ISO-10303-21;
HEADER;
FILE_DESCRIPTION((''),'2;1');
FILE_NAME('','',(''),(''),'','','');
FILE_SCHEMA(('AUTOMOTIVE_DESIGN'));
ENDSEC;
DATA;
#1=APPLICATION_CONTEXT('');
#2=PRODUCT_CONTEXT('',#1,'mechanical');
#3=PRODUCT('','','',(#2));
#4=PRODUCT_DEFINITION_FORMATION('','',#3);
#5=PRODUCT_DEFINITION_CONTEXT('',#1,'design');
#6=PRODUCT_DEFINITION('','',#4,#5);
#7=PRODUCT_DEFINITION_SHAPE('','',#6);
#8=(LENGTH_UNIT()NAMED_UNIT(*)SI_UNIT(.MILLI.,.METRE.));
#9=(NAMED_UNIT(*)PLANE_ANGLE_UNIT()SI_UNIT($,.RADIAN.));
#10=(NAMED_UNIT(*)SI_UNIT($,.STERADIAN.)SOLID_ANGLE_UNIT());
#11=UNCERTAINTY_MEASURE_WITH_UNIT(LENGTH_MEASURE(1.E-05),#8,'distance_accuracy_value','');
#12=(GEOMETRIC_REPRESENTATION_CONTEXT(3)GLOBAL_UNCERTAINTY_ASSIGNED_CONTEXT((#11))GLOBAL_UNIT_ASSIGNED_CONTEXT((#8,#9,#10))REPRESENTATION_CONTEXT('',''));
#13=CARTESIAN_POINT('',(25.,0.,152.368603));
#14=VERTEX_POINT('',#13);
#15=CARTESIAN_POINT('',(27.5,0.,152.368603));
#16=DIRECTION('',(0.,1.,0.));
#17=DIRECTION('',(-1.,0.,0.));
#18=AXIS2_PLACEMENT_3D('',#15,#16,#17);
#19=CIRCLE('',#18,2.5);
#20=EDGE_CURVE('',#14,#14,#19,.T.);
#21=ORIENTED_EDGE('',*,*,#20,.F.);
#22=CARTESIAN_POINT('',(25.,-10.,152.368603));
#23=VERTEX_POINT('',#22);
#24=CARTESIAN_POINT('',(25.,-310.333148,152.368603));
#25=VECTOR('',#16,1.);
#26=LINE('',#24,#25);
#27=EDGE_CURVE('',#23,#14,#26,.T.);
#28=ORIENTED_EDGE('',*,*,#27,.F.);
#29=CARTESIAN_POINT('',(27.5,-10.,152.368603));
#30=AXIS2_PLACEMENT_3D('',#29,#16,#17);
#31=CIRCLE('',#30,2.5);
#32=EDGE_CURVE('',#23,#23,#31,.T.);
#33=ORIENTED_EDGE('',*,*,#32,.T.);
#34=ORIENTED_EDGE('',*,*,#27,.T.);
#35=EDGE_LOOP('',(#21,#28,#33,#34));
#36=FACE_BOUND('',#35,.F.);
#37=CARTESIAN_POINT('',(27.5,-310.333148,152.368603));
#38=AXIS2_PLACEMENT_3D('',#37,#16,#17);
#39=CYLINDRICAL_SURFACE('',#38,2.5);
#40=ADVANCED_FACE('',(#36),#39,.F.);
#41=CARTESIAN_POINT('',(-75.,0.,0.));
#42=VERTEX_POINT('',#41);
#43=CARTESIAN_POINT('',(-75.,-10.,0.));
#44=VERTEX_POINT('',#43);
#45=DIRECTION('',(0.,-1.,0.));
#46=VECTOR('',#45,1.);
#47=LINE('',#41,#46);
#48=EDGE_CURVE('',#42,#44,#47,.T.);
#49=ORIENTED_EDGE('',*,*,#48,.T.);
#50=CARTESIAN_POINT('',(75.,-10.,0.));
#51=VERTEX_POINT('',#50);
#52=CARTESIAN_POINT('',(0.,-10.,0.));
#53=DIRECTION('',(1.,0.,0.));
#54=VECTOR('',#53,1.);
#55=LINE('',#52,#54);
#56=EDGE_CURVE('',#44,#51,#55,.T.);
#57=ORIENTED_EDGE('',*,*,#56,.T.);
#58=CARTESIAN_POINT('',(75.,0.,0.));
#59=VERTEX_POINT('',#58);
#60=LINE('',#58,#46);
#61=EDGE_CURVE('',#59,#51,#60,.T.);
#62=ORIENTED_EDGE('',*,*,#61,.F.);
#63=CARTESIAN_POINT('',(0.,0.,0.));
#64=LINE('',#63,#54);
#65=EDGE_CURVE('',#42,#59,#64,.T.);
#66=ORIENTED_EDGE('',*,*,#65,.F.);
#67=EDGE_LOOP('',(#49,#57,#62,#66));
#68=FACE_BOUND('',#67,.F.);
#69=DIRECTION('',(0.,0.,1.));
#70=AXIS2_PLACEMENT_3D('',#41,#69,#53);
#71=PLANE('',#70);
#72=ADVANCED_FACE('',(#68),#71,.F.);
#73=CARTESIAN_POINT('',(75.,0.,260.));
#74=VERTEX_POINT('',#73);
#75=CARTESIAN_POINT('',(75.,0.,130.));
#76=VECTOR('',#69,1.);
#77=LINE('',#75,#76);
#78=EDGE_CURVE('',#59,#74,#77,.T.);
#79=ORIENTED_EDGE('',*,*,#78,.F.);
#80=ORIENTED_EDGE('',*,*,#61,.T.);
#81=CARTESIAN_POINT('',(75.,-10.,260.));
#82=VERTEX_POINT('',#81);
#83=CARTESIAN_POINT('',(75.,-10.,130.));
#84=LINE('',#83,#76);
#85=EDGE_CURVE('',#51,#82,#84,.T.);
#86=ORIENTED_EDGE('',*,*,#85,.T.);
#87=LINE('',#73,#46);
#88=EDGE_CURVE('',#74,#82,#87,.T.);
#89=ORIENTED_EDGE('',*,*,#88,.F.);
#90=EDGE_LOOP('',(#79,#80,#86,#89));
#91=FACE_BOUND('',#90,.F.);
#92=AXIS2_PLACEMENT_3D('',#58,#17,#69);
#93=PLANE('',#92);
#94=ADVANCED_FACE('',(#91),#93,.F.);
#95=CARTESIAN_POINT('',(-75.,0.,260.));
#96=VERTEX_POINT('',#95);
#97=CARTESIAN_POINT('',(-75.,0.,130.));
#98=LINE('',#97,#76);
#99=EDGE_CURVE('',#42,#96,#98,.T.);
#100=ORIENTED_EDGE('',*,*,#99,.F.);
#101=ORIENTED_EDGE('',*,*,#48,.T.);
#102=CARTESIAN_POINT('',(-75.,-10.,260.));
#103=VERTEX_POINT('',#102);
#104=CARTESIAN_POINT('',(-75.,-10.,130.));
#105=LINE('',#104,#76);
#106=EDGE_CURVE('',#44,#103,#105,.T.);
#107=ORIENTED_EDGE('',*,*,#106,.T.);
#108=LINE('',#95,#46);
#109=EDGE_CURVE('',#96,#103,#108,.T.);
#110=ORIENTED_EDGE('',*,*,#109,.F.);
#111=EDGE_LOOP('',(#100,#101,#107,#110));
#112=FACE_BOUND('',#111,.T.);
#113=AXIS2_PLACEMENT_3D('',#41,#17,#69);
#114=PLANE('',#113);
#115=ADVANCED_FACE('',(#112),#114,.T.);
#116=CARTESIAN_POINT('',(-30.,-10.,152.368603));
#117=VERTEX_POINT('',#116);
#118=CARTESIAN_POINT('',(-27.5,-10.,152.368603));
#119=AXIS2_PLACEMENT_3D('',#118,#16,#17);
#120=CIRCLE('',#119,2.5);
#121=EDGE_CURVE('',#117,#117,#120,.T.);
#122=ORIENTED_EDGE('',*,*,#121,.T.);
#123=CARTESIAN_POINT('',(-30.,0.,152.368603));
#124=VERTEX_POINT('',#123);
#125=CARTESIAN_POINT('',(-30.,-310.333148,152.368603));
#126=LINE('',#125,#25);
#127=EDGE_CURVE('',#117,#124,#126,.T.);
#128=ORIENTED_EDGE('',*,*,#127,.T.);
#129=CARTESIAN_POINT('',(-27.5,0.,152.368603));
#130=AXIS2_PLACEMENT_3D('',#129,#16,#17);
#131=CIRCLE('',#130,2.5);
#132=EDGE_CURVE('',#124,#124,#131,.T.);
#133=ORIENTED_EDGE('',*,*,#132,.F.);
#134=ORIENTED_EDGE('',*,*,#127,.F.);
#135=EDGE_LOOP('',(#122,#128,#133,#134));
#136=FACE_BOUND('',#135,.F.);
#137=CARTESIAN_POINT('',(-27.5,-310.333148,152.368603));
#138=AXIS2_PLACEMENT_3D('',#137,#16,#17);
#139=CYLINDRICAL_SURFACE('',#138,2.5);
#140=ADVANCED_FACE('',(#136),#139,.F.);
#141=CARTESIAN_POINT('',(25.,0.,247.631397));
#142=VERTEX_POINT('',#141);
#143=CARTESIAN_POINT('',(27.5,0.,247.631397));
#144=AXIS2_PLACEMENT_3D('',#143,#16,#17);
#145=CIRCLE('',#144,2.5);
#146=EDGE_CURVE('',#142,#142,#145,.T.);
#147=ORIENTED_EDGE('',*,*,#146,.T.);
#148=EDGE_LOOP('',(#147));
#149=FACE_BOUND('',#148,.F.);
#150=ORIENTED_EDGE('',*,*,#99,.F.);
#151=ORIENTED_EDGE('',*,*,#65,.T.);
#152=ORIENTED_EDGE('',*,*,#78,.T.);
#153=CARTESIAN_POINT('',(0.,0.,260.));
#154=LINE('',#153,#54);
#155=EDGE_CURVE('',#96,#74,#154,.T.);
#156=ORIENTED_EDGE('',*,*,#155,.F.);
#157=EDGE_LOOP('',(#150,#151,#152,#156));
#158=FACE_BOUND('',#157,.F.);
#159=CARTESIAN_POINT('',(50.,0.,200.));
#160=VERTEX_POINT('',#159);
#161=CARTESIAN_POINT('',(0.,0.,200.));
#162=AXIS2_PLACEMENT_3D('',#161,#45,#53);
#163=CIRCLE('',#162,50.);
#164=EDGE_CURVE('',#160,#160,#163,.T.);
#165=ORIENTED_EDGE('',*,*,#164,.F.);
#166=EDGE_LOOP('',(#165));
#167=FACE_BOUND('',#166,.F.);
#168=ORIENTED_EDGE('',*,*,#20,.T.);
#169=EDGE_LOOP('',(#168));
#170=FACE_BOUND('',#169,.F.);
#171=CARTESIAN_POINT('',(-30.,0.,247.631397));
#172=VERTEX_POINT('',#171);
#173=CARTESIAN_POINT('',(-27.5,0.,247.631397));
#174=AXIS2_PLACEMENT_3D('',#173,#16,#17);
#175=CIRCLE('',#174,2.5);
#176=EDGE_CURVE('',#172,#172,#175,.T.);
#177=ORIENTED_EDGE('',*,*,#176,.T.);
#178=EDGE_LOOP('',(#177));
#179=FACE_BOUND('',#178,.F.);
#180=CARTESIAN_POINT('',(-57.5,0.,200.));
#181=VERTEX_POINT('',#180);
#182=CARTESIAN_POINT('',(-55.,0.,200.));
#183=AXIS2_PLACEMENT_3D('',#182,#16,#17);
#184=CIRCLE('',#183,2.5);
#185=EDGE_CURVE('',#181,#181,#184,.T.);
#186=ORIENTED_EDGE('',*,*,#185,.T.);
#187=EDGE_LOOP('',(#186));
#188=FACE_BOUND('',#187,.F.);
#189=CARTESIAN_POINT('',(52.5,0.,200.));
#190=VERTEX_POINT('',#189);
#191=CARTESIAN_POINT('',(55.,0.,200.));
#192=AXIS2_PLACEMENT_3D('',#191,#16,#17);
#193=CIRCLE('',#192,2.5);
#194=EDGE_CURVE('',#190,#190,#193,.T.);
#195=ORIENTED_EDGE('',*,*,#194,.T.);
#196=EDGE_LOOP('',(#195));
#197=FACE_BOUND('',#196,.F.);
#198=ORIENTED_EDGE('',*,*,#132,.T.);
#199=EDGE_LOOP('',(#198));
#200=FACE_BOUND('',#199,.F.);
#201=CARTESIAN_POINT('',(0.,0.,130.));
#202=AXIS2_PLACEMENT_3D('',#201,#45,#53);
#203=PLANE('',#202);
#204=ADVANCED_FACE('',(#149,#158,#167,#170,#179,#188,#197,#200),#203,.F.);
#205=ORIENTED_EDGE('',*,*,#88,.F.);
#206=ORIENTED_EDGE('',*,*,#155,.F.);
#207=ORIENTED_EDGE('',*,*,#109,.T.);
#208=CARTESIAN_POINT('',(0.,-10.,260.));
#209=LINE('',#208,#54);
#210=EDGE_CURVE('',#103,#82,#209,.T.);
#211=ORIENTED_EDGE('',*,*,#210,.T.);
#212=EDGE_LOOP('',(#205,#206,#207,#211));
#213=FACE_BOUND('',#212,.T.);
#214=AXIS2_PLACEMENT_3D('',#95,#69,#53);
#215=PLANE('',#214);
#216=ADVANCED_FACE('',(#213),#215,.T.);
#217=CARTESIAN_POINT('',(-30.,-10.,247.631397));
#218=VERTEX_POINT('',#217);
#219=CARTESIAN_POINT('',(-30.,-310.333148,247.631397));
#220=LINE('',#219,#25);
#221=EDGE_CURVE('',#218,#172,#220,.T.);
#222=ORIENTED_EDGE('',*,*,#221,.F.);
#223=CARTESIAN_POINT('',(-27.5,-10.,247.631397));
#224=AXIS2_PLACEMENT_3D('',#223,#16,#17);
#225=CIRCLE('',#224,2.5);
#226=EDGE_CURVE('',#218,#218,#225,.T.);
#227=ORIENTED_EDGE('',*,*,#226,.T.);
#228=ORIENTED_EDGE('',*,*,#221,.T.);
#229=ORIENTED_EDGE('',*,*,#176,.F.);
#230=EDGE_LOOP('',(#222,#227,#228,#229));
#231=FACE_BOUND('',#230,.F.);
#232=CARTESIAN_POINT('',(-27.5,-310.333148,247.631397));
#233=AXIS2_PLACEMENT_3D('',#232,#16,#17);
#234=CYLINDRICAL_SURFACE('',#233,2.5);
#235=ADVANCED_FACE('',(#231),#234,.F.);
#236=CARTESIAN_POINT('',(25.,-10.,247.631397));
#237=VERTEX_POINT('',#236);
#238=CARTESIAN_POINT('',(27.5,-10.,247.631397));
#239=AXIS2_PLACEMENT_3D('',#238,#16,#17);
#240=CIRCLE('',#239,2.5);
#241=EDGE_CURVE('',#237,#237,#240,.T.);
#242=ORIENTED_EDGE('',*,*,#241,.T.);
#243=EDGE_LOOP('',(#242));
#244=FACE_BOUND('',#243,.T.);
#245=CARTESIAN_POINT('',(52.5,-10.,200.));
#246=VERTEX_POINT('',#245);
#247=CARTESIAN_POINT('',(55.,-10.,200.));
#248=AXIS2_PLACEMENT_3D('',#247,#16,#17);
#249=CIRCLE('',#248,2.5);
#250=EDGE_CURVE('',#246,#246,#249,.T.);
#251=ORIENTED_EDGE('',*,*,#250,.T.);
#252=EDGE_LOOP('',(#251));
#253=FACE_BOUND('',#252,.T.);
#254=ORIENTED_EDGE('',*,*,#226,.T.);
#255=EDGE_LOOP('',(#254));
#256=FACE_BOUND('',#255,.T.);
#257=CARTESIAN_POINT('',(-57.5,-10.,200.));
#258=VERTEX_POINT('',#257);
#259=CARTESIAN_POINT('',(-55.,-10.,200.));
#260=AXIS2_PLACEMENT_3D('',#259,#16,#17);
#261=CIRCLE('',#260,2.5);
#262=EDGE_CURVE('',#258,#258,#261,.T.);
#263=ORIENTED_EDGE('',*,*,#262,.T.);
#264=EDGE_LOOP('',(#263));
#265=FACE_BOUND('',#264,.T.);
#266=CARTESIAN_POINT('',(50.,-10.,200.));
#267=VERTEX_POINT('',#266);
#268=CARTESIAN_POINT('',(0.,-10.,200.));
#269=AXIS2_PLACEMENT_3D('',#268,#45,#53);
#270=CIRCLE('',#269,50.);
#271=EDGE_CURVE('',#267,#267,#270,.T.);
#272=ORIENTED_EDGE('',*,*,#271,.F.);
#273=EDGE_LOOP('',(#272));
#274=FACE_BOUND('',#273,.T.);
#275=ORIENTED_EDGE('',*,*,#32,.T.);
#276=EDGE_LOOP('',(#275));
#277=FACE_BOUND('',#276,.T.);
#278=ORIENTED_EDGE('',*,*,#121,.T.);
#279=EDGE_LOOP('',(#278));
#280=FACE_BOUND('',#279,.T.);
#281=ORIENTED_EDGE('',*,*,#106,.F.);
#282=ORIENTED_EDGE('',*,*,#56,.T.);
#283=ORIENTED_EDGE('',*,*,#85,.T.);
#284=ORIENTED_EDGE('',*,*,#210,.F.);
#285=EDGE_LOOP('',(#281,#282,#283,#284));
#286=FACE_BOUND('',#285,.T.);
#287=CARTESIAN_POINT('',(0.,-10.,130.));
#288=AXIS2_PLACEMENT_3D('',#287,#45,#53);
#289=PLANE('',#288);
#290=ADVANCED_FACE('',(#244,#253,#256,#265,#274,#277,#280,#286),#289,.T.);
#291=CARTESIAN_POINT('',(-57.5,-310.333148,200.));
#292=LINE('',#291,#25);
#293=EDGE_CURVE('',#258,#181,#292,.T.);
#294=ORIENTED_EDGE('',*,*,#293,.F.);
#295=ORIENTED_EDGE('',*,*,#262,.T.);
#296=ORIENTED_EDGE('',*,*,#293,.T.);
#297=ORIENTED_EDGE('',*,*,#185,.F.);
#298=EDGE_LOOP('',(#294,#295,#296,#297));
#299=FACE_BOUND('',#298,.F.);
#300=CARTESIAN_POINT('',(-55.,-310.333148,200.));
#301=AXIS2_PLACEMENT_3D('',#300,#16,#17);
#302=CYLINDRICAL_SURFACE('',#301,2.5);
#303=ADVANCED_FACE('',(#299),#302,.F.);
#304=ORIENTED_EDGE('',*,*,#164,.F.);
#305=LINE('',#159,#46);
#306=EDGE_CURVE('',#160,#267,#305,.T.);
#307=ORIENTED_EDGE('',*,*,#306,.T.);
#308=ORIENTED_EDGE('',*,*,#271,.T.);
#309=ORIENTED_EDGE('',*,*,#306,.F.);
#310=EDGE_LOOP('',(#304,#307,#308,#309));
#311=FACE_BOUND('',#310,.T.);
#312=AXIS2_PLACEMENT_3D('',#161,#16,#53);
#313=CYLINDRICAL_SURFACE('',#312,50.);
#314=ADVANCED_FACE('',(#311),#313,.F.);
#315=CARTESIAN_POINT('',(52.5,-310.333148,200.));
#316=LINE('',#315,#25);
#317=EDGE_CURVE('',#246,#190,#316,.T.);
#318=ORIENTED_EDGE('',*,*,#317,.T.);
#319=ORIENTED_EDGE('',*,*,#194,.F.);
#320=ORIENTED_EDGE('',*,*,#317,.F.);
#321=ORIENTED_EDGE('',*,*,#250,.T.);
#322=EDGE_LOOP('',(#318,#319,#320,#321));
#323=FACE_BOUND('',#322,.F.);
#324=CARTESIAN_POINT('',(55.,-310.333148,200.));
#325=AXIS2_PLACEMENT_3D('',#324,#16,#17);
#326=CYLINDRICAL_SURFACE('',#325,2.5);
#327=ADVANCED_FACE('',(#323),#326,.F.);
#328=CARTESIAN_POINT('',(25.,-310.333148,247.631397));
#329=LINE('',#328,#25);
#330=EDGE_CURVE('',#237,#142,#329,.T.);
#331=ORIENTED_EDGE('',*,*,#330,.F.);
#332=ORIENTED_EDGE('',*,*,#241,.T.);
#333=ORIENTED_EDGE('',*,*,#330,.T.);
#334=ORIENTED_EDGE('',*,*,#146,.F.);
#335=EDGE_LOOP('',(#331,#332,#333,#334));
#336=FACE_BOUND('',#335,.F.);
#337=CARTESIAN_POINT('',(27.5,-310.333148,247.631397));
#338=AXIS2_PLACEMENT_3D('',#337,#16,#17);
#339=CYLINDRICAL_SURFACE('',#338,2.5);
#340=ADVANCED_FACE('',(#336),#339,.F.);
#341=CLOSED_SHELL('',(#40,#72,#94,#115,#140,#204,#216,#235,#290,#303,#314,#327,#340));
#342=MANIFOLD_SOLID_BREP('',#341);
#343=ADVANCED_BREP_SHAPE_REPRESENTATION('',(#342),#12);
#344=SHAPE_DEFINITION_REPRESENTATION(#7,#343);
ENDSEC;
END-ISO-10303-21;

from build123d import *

# Parameters (mm, degrees)
F0_W     = 150
F0_H     = 260
F0_R     = 50
F1_DEPTH = 10
F3_D     = 5


with BuildPart() as f1:
    # F0 (on Front) → F1 (new body)
    with BuildSketch(Plane.XZ):
        with Locations((0, 130)):
            Rectangle(F0_W, F0_H)
        with Locations((0, 200)):
            Circle(F0_R, mode=Mode.SUBTRACT)
    extrude(amount=F1_DEPTH)

    # F3 (through all)
    with Locations(Plane.XZ.offset(10)):
        with Locations((-27.5, 247.6313972081), (27.5, 247.6313972081), (55, 200), (27.5, 152.3686027919), (-27.5, 152.3686027919), (-55, 200)):
            Hole(F3_D / 2)


solid = f1.part
